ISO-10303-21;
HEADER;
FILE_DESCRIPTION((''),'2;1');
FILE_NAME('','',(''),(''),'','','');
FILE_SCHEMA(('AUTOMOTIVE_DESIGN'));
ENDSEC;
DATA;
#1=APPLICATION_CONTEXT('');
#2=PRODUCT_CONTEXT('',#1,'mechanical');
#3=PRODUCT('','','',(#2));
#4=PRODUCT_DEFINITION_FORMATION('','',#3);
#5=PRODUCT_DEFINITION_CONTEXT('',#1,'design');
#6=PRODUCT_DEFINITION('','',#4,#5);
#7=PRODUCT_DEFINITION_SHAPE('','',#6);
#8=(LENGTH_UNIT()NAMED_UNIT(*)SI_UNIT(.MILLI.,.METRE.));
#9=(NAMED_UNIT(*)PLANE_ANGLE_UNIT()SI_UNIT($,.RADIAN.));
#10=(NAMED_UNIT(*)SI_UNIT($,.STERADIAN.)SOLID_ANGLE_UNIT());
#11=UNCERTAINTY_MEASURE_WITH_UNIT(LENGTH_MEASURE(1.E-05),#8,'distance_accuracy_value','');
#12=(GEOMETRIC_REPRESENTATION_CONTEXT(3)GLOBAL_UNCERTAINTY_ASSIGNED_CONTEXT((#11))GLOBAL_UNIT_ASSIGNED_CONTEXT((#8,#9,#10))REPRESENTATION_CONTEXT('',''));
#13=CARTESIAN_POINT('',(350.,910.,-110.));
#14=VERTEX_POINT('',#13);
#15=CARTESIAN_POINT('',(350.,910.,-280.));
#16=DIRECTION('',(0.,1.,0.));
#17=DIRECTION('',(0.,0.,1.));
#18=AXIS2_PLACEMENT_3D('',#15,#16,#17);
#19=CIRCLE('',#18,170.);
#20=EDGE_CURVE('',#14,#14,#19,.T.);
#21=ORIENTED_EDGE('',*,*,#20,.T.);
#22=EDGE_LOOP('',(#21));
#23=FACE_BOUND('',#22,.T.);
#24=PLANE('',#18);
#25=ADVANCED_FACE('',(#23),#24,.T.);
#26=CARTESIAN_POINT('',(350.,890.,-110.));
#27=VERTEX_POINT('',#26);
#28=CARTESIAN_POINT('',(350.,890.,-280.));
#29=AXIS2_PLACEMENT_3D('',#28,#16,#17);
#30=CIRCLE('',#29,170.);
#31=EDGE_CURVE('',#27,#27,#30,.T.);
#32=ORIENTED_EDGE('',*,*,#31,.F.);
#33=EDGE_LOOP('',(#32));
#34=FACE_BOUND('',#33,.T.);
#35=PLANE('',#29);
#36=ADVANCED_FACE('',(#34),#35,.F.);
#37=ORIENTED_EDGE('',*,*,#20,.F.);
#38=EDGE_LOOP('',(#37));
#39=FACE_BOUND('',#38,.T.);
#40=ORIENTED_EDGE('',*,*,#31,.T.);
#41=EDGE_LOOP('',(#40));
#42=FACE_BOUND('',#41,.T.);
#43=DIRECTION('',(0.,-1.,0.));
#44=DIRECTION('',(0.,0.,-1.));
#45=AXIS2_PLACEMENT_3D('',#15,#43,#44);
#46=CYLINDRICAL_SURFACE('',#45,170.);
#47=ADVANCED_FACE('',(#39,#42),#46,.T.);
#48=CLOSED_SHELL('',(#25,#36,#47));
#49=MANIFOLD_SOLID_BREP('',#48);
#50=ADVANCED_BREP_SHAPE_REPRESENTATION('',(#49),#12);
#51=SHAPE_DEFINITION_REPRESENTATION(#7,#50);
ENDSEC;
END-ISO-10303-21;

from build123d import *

# Parameters (mm, degrees)
PRESS_PZP400_ALT_PLAKA_D340_START = 890
SKETCH1_R                         = 170
PRESS_PZP400_ALT_PLAKA_D340_DEPTH = 20


with BuildPart() as part:
    # Sketch1 → PRESS_PZP400_alt_plaka_D340 (new body)
    with BuildSketch(Plane(origin=(0, 0, 0), x_dir=(1, 0, 0), z_dir=(0, 1, 0)).offset(PRESS_PZP400_ALT_PLAKA_D340_START)):
        with Locations(Location((350, 280, 0), (0, 0, 270))):
            Circle(SKETCH1_R)
    extrude(amount=PRESS_PZP400_ALT_PLAKA_D340_DEPTH)


solid = part.part
